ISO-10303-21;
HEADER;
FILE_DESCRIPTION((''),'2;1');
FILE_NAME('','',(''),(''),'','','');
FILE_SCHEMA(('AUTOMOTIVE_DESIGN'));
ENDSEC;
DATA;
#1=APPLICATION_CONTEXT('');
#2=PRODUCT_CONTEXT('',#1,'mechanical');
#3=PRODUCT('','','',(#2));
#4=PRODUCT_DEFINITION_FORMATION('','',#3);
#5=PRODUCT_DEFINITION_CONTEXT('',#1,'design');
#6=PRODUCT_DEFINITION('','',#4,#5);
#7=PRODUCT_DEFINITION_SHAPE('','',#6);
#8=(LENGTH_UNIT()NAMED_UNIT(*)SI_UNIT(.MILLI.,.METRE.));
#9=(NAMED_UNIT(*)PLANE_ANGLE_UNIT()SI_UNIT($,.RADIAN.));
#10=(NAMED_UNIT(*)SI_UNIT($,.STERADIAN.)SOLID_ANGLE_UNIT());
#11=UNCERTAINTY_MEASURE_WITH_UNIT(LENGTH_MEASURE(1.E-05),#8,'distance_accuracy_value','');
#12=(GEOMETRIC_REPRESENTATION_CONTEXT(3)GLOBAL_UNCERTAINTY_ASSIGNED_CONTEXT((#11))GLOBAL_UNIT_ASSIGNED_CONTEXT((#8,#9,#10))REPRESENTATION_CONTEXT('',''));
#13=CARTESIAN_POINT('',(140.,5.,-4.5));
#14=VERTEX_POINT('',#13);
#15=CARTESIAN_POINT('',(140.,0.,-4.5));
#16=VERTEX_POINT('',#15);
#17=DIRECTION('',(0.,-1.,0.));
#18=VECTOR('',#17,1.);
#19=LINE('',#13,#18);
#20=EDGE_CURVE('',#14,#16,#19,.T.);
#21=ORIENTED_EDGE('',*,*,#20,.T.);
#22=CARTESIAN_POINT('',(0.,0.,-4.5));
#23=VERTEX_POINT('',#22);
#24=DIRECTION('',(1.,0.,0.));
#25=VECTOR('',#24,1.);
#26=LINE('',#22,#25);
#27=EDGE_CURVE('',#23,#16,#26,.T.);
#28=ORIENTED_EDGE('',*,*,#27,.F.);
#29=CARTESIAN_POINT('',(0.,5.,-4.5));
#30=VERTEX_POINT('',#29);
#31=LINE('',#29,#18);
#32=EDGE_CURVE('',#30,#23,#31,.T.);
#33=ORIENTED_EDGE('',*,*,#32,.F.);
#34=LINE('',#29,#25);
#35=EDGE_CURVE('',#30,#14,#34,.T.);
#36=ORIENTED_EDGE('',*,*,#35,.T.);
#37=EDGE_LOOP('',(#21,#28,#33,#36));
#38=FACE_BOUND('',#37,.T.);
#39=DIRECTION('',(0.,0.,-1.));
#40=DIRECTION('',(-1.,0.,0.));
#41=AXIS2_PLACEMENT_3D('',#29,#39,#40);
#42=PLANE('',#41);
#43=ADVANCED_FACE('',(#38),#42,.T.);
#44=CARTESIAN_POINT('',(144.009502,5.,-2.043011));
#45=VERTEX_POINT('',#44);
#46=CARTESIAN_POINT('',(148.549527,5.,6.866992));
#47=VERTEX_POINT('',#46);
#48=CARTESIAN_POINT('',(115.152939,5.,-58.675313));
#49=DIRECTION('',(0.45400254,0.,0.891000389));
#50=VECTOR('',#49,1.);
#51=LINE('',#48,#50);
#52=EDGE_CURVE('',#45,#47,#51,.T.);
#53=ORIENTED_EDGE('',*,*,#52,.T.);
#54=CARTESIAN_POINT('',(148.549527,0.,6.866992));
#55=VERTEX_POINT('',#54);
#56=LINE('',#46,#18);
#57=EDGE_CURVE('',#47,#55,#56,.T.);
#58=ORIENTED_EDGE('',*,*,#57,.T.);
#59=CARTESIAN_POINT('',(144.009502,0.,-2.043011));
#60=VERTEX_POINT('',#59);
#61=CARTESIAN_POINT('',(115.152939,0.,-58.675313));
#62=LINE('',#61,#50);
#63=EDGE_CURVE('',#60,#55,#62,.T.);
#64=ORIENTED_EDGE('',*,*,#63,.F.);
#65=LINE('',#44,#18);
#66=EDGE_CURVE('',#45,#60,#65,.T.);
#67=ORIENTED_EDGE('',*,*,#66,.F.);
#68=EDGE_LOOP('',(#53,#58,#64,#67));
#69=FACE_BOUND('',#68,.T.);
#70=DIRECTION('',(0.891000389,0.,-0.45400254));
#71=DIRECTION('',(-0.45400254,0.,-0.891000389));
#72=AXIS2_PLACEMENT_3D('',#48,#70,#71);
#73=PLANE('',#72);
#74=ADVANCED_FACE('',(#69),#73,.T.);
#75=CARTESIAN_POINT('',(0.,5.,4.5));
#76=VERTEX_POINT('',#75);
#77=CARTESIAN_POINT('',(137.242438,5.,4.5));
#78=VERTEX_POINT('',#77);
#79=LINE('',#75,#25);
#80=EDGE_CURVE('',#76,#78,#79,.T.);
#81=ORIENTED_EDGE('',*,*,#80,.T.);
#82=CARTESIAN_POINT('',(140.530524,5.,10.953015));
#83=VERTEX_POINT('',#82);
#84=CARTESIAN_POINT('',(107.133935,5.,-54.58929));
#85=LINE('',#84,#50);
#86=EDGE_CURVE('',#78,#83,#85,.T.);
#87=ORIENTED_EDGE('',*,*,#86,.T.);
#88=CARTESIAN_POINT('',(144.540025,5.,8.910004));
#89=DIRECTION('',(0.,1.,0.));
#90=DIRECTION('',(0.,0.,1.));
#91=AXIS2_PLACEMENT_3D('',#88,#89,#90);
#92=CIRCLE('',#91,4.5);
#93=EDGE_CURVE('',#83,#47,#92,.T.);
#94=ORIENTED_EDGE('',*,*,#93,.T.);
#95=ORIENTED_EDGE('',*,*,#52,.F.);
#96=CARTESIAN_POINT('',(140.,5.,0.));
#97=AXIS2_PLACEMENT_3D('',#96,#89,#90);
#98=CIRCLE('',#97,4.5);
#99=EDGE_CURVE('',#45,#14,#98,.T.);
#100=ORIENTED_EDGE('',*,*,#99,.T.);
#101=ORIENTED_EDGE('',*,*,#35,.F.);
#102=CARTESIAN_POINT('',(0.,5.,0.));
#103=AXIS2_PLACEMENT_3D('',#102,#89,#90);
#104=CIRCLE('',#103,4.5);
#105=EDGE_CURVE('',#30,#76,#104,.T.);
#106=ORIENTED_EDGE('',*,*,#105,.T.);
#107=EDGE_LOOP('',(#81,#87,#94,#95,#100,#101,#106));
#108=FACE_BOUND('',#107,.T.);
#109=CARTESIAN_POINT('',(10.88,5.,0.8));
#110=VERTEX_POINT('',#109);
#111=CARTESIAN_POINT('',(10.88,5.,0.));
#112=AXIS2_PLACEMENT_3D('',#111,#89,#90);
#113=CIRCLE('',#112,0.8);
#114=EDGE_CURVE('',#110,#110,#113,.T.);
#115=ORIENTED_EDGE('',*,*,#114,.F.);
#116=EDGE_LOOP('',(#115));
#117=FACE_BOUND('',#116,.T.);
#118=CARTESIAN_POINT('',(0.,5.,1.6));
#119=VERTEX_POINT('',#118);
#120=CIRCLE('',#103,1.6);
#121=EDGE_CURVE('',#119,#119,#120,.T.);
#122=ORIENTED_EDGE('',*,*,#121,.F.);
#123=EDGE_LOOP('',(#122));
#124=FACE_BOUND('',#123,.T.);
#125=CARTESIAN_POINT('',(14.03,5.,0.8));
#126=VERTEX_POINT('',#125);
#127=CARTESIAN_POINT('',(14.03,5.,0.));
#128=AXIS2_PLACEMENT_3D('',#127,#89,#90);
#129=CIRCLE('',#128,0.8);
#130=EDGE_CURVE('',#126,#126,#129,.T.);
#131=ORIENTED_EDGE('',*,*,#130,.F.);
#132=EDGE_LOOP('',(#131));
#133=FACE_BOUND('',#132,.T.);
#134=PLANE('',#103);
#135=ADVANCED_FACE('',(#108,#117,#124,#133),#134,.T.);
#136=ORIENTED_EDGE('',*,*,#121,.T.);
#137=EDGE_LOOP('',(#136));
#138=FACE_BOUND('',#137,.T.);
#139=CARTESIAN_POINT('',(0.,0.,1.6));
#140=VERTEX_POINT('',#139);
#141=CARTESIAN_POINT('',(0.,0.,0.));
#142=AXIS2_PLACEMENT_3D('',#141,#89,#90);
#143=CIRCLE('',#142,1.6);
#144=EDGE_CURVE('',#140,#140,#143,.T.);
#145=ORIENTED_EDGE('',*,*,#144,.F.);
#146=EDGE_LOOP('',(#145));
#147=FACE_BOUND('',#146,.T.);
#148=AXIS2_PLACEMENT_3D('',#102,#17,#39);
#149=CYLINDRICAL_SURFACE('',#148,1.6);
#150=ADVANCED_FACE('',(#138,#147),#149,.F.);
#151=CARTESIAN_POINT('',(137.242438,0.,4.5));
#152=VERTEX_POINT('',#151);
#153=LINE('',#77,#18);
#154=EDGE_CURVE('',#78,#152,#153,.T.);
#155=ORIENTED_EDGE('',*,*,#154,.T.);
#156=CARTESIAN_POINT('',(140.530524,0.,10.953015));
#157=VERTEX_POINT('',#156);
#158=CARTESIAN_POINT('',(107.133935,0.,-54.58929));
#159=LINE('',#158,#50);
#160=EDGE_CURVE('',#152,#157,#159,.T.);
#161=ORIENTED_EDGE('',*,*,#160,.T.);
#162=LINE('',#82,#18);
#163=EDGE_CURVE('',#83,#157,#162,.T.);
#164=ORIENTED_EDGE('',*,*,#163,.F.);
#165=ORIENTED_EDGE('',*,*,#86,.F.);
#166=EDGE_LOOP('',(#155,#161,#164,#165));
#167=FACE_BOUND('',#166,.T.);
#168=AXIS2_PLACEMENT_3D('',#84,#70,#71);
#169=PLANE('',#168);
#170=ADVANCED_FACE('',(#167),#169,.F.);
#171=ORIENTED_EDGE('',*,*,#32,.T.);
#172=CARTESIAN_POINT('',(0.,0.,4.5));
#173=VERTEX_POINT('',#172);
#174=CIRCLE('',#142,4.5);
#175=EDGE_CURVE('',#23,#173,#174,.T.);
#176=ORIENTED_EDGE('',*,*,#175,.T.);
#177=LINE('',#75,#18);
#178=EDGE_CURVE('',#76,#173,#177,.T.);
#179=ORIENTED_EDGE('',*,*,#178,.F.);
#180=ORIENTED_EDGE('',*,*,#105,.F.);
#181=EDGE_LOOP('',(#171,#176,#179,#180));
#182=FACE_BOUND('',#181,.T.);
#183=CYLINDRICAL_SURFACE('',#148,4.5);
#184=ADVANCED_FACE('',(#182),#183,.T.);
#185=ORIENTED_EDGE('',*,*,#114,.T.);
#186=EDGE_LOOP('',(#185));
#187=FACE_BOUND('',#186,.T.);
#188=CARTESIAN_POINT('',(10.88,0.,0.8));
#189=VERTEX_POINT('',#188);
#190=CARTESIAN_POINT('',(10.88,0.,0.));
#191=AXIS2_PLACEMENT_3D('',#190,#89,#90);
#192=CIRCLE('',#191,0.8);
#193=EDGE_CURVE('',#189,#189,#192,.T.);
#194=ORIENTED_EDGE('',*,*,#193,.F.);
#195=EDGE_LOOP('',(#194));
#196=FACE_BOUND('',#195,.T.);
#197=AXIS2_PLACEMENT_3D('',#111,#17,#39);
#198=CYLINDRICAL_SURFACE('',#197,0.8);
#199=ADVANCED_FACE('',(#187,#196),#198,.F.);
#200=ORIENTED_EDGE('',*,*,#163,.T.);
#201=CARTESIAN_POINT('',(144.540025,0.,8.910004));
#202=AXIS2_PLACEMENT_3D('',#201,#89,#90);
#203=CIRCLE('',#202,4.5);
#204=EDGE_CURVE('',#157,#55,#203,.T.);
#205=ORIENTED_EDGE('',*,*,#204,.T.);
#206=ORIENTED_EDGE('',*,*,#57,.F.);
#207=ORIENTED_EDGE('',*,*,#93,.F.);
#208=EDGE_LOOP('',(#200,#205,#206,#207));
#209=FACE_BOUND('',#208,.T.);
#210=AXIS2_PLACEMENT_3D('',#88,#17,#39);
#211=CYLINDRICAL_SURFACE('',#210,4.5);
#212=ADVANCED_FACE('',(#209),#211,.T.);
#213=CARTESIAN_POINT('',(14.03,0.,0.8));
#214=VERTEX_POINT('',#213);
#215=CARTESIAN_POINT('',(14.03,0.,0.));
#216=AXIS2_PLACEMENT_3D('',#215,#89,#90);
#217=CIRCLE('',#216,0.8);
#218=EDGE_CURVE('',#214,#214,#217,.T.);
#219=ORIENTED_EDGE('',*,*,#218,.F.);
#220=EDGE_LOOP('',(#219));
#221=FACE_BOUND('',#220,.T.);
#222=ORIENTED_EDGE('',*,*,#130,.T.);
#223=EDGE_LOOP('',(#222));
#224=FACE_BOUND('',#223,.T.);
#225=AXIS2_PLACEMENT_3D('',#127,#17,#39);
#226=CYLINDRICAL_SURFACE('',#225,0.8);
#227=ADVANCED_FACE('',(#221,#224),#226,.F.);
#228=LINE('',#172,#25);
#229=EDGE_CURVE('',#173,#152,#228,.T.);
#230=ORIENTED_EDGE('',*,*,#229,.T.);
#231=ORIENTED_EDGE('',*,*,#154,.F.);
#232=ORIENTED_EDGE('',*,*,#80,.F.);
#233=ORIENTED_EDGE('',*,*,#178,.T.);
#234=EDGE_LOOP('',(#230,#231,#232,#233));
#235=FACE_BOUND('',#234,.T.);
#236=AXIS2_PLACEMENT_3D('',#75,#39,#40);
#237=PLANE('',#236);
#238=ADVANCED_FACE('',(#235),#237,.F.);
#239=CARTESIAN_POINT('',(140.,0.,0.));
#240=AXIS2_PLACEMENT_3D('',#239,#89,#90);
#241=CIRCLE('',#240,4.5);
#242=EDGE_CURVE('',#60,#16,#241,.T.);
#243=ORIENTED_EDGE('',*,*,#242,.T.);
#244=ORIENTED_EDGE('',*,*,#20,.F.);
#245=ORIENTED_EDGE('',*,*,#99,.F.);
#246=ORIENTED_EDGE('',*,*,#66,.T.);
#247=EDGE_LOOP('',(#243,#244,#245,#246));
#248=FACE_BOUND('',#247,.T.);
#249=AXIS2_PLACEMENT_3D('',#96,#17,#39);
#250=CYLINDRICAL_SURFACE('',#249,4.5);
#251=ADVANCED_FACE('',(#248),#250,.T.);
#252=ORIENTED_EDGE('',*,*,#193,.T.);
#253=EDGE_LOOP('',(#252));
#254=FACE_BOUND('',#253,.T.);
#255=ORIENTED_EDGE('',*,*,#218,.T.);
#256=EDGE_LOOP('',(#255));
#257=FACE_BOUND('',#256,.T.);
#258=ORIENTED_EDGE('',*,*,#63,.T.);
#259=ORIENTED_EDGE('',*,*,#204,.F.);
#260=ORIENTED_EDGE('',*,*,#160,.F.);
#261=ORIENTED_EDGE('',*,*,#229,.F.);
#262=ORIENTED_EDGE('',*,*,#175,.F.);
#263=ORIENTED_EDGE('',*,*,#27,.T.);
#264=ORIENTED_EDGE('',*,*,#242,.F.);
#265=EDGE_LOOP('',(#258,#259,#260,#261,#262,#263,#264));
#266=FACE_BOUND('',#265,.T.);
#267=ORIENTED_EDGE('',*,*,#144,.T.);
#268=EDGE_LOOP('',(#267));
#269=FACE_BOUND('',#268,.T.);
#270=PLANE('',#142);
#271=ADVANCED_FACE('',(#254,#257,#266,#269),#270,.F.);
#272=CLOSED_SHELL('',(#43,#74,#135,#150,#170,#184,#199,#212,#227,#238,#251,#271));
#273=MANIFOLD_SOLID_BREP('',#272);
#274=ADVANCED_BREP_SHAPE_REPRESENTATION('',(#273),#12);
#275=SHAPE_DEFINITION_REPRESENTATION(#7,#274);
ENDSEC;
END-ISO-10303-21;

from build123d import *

# Parameters (mm, degrees)
SKETCH1_R           = 1.6
SKETCH1_R_2         = 0.8
BOSS_EXTRUDE1_DEPTH = 5


with BuildPart() as part:
    # Sketch1 → Boss-Extrude1 (new body)
    # profile 1 of 2: a face of its own
    with BuildSketch(Plane(origin=(0, 0, 0), x_dir=(1, 0, 0), z_dir=(0, 1, 0))):
        with BuildLine():
            Line((0, 4.5), (140, 4.5))
            ThreePointArc((140, 4.5), (144.5, 0), (140, -4.5))
            Line((140, -4.5), (0, -4.5))
            ThreePointArc((0, -4.5), (-4.5, 0), (0, 4.5))
        make_face()
        with Locations(Location((0, 0, 0), (0, 0, 270))):
            Circle(SKETCH1_R, mode=Mode.SUBTRACT)
        with Locations(Location((10.88, 0, 0), (0, 0, 270))):
            Circle(SKETCH1_R_2, mode=Mode.SUBTRACT)
        with Locations(Location((14.03, 0, 0), (0, 0, 270))):
            Circle(SKETCH1_R_2, mode=Mode.SUBTRACT)
    # profile 2 of 2: a face of its own
    with BuildSketch(Plane(origin=(0, 0, 0), x_dir=(1, 0, 0), z_dir=(0, 1, 0))):
        with BuildLine():
            Line((144.009501751, 2.043011432), (148.549527155, -6.866992459))
            ThreePointArc((148.549527155, -6.866992459), (146.583036835, -12.919505642), (140.530523653, -10.953015322))
            Line((140.530523653, -10.953015322), (135.990498249, -2.043011432))
            ThreePointArc((135.990498249, -2.043011432), (137.956988568, 4.009501751), (144.009501751, 2.043011432))
        make_face()
    extrude(amount=BOSS_EXTRUDE1_DEPTH)


solid = part.part
